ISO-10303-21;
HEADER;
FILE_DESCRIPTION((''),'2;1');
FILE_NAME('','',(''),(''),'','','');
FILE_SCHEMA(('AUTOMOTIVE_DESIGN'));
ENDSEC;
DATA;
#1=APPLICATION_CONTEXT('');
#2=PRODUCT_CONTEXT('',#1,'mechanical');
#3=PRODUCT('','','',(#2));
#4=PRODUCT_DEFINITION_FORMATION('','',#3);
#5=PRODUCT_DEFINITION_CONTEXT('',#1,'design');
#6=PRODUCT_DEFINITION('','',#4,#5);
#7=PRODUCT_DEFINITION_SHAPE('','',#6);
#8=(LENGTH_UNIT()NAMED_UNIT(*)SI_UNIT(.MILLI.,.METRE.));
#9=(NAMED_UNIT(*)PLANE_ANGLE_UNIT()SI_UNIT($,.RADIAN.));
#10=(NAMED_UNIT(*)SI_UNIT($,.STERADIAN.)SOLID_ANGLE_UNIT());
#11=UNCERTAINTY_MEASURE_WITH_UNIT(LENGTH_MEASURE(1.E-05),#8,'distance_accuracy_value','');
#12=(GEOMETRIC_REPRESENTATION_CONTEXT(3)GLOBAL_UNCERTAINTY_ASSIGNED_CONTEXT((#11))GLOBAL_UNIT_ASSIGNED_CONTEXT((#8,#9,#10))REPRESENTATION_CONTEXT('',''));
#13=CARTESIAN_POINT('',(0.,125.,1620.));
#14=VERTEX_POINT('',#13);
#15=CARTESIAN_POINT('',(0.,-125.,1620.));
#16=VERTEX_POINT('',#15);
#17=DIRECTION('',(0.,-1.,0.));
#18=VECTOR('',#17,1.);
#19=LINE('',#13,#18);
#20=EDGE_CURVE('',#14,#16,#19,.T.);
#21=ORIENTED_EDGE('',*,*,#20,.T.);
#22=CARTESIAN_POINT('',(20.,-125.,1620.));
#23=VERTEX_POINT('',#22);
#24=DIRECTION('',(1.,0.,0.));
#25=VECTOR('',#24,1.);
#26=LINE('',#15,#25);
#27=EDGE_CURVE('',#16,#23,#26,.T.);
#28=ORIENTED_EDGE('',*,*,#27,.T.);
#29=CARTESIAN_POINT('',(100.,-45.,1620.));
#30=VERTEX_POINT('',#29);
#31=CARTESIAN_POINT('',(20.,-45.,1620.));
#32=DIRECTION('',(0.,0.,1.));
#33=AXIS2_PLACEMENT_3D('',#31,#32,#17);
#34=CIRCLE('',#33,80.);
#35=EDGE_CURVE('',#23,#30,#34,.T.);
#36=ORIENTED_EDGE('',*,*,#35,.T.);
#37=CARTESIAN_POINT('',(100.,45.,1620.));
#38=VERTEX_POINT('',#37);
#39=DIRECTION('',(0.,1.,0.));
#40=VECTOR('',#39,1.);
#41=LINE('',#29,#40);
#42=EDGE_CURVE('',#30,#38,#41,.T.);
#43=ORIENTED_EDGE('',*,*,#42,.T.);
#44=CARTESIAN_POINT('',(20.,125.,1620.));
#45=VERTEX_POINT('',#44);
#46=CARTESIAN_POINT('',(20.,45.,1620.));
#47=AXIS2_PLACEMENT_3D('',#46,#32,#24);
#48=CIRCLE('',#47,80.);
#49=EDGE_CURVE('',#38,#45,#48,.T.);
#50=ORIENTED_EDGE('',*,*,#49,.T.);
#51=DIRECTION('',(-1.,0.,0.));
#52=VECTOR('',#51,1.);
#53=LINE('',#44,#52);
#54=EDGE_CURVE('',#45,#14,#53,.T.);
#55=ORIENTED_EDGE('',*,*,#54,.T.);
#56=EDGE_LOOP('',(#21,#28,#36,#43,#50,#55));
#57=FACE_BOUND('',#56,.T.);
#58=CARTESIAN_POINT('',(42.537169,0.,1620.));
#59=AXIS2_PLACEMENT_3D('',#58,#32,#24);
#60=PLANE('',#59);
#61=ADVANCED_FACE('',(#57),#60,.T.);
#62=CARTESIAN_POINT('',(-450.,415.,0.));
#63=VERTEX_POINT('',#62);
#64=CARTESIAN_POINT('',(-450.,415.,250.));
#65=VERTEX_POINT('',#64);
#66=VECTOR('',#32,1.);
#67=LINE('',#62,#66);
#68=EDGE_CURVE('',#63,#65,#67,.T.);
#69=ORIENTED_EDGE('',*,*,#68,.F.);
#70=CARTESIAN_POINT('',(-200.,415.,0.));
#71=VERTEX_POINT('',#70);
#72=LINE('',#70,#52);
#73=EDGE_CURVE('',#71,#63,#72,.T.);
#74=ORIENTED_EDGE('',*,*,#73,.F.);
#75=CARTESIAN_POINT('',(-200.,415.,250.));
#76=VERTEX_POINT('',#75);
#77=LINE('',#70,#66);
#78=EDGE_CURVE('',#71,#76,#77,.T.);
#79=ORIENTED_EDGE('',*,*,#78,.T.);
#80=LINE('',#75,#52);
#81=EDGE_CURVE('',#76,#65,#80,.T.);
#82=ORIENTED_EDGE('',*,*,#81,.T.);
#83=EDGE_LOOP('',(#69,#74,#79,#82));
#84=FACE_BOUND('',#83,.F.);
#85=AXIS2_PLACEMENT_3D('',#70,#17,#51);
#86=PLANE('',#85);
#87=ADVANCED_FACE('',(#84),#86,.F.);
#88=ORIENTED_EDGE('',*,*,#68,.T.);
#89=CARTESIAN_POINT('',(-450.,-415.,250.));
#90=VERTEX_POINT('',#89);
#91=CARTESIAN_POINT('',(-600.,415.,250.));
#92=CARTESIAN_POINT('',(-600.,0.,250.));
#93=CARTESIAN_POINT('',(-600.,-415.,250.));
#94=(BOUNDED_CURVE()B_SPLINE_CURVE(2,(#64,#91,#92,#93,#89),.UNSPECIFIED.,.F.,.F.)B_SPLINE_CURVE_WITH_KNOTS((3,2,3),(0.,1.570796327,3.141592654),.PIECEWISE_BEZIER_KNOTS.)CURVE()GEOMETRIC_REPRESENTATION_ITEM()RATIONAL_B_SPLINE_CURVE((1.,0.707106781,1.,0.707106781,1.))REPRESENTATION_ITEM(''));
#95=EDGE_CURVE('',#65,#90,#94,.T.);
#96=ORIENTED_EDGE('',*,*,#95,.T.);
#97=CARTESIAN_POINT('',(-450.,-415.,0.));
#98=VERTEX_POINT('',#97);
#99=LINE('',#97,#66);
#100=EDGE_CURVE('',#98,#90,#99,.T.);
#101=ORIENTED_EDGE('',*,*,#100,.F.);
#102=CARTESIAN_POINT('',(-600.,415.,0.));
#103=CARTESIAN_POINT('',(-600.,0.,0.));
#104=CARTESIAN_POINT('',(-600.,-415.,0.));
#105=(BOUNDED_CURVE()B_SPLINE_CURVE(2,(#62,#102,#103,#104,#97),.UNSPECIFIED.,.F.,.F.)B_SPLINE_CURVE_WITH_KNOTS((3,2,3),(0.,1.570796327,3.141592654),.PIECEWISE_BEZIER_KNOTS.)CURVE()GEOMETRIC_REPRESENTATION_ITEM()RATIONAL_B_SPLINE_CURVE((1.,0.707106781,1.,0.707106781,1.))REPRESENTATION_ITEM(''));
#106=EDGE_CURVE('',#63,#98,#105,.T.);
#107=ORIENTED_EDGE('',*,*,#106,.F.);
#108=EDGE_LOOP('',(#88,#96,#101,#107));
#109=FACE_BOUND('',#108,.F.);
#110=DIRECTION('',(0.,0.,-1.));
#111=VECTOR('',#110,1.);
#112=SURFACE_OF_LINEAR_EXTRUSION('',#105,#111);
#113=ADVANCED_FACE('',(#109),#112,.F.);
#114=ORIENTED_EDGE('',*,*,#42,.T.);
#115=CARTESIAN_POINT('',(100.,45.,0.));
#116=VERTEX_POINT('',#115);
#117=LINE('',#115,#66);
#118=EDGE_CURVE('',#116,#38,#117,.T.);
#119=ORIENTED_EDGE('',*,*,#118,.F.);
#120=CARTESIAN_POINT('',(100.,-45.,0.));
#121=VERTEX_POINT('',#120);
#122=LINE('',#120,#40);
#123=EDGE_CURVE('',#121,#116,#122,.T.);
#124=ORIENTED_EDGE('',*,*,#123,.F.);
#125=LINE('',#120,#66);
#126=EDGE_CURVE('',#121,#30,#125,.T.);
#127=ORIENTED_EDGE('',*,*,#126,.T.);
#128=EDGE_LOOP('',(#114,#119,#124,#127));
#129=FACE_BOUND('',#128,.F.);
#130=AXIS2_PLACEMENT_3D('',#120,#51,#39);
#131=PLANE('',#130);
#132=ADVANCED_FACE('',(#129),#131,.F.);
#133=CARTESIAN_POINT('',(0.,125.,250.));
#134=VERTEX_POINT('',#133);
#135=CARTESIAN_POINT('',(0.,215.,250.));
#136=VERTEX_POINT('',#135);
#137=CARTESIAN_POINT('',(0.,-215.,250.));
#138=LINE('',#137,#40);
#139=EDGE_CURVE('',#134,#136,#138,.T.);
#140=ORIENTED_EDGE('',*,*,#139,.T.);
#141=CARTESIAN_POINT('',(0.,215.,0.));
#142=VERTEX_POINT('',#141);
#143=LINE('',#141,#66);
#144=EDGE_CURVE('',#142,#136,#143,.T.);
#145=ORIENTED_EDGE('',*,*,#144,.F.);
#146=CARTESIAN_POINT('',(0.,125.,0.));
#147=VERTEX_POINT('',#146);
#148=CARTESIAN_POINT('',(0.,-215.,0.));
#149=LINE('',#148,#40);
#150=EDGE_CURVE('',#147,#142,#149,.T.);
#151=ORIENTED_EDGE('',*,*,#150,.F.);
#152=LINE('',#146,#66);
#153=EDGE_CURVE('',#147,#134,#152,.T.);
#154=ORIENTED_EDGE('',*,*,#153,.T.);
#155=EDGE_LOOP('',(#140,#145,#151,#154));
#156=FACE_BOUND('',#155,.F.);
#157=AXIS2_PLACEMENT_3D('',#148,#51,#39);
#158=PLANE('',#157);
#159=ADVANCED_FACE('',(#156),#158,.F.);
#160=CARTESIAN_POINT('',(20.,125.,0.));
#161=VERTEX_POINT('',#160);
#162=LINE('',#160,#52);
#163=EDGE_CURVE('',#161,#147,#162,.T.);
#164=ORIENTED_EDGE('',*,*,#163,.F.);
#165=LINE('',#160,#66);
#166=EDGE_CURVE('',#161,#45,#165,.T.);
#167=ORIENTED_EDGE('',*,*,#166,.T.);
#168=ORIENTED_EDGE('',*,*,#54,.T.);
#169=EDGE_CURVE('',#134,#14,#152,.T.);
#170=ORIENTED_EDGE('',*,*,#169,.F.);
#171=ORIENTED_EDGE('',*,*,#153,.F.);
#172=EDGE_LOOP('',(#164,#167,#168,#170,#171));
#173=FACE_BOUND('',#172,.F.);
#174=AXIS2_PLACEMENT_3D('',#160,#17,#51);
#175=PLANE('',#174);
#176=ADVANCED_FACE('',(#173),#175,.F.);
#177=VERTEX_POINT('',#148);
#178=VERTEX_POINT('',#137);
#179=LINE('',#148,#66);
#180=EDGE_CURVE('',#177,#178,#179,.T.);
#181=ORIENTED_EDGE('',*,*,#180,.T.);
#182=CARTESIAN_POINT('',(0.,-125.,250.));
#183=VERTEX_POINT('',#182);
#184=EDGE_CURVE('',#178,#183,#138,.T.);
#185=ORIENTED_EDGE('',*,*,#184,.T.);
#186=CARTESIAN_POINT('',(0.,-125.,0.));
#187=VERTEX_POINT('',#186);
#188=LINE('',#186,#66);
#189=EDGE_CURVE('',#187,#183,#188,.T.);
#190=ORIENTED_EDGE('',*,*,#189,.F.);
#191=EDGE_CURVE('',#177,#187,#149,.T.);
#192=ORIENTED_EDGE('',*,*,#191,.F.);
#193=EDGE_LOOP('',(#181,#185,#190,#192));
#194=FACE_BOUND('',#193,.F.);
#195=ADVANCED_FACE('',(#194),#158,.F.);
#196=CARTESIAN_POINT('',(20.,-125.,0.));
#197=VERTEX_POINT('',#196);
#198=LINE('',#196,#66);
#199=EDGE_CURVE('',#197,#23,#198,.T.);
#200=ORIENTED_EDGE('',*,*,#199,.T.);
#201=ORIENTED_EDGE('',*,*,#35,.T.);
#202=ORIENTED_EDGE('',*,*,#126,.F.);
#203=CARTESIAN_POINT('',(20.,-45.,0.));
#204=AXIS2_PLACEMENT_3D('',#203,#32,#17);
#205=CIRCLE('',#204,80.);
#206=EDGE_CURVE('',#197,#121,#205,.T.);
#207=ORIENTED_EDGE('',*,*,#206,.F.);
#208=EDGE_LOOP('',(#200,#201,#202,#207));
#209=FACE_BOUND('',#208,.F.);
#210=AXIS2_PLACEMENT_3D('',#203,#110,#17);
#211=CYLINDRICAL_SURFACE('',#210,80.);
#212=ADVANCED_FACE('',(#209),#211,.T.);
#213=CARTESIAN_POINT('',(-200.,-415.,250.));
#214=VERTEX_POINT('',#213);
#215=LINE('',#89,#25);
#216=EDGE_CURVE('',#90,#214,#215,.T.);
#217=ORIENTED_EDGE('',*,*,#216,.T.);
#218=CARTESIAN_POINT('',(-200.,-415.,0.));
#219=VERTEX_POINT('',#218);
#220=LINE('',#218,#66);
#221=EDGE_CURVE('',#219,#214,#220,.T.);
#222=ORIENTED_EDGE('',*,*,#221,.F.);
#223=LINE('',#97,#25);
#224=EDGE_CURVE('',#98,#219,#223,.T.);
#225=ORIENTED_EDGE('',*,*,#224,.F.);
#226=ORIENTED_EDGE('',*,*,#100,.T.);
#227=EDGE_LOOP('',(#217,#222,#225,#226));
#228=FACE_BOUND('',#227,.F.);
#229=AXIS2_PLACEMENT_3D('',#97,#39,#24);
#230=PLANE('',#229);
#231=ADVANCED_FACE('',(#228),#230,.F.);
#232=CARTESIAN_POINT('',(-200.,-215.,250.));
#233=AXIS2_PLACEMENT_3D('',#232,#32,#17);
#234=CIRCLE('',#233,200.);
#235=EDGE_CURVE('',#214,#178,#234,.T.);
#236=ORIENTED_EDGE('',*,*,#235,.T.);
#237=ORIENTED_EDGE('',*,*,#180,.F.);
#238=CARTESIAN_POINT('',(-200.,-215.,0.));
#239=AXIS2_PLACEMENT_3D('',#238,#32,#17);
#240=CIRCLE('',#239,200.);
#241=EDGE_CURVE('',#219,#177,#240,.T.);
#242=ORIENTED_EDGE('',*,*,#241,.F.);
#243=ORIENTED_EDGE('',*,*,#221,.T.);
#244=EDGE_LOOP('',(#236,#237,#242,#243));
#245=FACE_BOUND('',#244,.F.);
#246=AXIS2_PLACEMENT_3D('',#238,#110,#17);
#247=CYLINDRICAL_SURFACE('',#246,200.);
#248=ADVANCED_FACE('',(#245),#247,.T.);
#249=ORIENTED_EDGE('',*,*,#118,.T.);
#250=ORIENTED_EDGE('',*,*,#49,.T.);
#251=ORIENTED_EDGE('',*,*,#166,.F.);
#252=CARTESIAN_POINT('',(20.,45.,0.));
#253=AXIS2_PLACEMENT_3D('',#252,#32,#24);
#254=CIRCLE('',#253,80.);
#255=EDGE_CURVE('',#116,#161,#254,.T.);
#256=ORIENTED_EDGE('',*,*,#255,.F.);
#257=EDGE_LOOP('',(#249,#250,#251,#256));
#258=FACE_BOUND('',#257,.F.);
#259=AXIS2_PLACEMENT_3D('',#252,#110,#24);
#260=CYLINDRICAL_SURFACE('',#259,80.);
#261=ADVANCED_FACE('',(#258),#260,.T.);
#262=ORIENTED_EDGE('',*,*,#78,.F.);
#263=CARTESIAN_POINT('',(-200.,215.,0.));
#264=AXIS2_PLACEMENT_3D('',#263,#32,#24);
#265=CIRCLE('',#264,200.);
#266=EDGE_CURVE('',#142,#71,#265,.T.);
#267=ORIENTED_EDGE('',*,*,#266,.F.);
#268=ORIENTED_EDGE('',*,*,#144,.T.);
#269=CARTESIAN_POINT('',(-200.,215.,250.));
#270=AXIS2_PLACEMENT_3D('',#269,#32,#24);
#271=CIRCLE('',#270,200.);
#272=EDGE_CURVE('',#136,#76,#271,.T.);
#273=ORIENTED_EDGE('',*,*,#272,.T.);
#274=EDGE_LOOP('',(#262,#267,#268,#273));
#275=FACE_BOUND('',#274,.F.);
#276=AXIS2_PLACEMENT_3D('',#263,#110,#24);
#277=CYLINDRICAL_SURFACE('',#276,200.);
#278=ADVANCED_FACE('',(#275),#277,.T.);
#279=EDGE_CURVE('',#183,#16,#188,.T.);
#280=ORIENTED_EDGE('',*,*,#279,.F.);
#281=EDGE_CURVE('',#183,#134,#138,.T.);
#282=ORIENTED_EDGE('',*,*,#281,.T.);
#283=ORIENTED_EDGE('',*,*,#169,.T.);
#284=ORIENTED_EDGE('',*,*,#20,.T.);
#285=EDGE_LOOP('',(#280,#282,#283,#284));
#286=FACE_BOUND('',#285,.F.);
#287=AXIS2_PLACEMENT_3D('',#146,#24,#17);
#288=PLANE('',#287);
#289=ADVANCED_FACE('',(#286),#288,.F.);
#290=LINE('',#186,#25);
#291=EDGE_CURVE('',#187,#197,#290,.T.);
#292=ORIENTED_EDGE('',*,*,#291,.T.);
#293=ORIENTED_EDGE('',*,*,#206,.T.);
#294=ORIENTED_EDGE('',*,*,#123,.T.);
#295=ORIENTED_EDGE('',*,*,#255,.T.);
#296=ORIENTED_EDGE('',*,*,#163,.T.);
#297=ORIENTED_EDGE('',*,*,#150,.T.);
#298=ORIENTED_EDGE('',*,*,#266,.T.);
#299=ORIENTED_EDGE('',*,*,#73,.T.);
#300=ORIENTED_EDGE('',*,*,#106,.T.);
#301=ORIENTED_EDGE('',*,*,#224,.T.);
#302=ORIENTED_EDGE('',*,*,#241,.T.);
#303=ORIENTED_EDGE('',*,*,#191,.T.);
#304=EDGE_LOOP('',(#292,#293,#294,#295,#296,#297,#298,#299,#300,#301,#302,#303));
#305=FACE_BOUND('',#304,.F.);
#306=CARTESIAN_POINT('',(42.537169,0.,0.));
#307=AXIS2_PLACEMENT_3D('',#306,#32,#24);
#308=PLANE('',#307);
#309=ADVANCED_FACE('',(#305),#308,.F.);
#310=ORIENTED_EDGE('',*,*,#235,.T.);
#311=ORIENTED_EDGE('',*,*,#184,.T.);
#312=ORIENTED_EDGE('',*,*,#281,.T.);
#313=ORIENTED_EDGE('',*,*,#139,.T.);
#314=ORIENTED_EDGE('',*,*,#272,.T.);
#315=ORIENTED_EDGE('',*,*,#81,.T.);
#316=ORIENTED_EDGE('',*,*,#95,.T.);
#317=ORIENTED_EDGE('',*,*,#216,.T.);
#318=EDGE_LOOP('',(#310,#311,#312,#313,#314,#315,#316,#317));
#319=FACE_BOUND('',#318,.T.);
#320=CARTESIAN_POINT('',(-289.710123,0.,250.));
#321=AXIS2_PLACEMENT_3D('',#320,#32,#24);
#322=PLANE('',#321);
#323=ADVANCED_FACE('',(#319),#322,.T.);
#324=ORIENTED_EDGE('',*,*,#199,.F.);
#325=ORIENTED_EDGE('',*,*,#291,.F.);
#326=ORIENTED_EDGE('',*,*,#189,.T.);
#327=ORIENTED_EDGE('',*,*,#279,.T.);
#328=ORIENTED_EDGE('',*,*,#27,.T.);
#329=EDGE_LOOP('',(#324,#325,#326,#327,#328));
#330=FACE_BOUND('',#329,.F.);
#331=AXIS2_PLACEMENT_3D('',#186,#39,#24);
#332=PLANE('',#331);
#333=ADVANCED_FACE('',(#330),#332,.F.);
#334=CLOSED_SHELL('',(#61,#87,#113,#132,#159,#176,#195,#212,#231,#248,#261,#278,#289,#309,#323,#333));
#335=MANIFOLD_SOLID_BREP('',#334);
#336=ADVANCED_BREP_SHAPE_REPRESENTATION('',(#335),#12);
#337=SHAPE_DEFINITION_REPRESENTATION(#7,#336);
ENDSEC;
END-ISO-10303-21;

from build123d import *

# Parameters (mm, degrees)
F1_DEPTH = 250
F3_DEPTH = 1620


with BuildPart() as f1:
    # F0 (on Top) → F1 (new body)
    with BuildSketch(Plane.XY):
        with BuildLine():
            Line((-200, 415), (-450, 415))
            add(Edge.make_bspline(
                [(-450, 415), (-600, 415), (-600, 0), (-600, -415), (-450, -415)],
                knots=[0, 0, 0, 1.5707963268, 1.5707963268, 3.1415926536, 3.1415926536, 3.1415926536], degree=2, weights=[1, 0.7071067812, 1, 0.7071067812, 1]))
            Line((-450, -415), (-200, -415))
            ThreePointArc((-200, -415), (-58.5786437627, -356.4213562373), (0, -215))
            Line((0, -215), (0, 215))
            ThreePointArc((0, 215), (-58.5786437627, 356.4213562373), (-200, 415))
        make_face()
    extrude(amount=F1_DEPTH)

    # F2 (on Top) → F3 (join)
    with BuildSketch(Plane.XY):
        with BuildLine():
            Line((20, 125), (0, 125))
            Line((0, 125), (0, -125))
            Line((0, -125), (20, -125))
            ThreePointArc((20, -125), (76.5685424949, -101.5685424949), (100, -45))
            Line((100, -45), (100, 45))
            ThreePointArc((100, 45), (76.5685424949, 101.5685424949), (20, 125))
        make_face()
    extrude(amount=F3_DEPTH)


solid = f1.part
